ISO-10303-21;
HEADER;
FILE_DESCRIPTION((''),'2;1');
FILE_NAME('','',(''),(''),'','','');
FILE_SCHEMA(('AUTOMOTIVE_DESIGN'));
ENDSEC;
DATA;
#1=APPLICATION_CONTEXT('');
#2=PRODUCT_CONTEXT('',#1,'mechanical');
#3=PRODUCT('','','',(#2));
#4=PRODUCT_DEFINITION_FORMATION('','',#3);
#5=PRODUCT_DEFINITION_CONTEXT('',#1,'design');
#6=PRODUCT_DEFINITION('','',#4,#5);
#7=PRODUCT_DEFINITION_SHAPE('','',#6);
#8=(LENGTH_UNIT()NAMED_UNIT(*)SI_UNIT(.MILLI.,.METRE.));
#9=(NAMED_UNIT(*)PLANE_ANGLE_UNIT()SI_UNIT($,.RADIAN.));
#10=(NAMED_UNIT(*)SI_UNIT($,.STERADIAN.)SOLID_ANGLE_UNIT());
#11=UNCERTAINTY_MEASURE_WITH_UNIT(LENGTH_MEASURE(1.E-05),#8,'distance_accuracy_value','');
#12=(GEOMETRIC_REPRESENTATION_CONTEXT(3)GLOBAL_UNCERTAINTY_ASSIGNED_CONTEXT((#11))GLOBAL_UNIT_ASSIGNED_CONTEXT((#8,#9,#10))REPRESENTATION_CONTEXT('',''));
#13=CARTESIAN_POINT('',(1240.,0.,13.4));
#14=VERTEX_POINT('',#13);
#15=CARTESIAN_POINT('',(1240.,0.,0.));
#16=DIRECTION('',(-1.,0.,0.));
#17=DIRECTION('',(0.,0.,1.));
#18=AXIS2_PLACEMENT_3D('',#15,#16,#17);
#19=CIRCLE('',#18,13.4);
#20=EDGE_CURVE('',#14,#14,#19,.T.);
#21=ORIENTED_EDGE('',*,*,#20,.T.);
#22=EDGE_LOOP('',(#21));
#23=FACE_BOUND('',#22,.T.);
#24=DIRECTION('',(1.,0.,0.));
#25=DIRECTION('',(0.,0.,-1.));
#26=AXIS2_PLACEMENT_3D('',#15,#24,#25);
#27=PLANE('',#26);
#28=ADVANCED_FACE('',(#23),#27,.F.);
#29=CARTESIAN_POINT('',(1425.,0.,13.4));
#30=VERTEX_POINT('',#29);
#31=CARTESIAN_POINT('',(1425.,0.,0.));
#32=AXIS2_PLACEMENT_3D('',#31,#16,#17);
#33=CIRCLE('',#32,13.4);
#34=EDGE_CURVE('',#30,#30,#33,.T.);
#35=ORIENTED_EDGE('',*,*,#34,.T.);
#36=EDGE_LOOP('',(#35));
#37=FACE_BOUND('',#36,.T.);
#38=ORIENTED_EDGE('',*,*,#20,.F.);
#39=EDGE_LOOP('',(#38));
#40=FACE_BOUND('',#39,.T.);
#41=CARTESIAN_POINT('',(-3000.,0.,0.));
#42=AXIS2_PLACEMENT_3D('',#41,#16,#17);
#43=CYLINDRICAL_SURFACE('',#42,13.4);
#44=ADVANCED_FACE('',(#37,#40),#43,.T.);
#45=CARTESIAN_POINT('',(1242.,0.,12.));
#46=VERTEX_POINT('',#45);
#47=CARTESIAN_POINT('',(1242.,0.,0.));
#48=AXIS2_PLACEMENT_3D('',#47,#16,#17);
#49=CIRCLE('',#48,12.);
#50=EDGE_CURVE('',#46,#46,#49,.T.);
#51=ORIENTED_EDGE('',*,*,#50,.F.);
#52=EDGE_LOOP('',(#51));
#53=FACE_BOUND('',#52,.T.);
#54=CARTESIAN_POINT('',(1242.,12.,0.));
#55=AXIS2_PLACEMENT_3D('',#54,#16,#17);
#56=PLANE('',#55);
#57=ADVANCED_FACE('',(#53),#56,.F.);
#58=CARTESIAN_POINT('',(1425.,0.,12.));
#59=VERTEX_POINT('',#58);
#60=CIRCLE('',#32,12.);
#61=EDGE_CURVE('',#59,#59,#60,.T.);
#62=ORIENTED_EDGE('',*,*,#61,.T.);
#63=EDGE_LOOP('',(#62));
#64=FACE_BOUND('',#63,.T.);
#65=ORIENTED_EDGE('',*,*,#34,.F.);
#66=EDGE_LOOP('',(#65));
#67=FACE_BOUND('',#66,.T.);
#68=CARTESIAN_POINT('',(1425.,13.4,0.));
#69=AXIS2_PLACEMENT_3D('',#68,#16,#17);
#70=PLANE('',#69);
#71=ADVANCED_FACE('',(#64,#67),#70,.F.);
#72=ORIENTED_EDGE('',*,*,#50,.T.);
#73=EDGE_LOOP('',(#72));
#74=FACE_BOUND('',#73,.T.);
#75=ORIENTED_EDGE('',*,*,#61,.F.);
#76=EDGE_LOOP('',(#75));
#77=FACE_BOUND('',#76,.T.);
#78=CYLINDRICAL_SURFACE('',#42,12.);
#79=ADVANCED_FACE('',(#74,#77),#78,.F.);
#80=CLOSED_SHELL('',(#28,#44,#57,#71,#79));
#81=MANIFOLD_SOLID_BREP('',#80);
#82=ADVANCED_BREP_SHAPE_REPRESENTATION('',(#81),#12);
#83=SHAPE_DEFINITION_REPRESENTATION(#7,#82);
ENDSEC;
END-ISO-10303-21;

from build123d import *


with BuildPart() as part:
    # Leg_Piston Sketch → Leg_Piston (revolve)
    with BuildSketch(Plane.XY):
        Polygon((1240, 0), (1240, 13.4), (1425, 13.4), (1425, 12), (1242, 12), (1242, 0), align=None)
    revolve(axis=Axis((-3000, 0, 0), (1, 0, 0)))


solid = part.part
